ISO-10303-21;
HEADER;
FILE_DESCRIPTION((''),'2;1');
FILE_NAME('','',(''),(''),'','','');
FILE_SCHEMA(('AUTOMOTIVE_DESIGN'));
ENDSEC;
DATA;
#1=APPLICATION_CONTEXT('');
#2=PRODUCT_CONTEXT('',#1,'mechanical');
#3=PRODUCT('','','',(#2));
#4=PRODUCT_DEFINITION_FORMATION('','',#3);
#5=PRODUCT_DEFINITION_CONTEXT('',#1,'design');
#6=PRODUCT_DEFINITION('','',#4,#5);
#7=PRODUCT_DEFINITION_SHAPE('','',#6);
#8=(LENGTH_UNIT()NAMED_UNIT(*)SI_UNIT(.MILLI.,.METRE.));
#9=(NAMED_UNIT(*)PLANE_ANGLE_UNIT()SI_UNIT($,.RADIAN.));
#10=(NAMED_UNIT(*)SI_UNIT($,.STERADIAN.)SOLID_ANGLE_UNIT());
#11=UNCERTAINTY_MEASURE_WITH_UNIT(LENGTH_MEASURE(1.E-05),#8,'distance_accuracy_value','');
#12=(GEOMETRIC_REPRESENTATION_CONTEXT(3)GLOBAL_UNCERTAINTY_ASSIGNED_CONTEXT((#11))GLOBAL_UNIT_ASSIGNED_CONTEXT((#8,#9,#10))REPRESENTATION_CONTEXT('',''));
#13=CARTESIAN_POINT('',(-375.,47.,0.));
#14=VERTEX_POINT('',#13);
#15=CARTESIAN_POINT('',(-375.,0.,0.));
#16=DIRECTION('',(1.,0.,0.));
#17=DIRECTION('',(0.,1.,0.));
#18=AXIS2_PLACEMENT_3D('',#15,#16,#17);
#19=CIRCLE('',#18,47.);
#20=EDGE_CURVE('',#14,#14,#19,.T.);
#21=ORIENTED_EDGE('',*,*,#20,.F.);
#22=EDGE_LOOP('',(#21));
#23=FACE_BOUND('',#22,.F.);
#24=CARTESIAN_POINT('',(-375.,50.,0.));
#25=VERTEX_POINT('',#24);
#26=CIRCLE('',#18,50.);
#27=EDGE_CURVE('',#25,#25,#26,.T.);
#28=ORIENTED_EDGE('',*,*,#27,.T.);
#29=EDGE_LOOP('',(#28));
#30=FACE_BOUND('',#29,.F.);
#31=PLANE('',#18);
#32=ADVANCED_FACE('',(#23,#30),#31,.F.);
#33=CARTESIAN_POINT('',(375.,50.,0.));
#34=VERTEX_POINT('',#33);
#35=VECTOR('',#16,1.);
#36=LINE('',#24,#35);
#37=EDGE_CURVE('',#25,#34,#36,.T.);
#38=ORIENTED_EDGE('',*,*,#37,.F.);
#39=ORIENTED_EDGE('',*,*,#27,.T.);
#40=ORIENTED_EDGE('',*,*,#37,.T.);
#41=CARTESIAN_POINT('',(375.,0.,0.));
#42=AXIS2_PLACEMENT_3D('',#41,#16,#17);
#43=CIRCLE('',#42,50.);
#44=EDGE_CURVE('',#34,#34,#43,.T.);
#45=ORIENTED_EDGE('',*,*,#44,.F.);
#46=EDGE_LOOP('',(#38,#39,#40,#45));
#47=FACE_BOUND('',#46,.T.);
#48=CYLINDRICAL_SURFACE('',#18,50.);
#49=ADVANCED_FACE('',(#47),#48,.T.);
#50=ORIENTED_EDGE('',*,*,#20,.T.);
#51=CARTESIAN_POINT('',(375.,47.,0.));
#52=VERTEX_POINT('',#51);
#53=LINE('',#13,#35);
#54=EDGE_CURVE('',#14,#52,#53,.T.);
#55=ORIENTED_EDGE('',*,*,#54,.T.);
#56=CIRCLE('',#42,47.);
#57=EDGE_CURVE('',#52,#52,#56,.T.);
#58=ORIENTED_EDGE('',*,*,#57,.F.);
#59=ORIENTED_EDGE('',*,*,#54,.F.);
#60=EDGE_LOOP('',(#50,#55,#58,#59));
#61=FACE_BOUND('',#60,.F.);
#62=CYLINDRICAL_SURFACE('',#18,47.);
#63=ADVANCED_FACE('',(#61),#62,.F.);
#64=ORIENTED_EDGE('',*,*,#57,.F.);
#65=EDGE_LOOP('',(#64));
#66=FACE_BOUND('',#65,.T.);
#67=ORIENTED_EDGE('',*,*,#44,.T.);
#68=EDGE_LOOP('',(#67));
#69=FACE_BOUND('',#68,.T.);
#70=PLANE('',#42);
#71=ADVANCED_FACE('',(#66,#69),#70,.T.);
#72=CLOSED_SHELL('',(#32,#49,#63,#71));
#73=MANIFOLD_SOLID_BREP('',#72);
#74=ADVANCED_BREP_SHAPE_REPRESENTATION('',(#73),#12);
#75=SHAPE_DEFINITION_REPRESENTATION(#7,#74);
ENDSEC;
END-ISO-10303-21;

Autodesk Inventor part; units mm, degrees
ref_plane "YZ Plane" through (0, 0, 0) normal (1, 0, 0) x (0, 1, 0)
ref_plane "XZ Plane" through (0, 0, 0) normal (0, 1, 0) x (-1, 0, 0)
ref_plane "XY Plane" through (0, 0, 0) normal (0, 0, 1) x (1, 0, 0)
sketch "Esboço1" plane through (0, 0, 0) normal (0, 0, 1) x (1, 0, 0)
  line L0 (-375, 50) -> (375, 50)
  line L1 (-375, 50) -> (-375, 47)
  line L2 (-375, 47) -> (375, 47)
  line L3 (375, 50) -> (375, 47)
  line L4 (-525, 0) -> (525, 0) projected
  point P0 (0, 0)
  point P1 (0, 50)
  dimension "d0" = 750
  dimension "d1" = 50
  dimension "d2" = 3
revolve "Revolução1" add sketch "Esboço1" angle 360 about axis through (-10, 0, 0) along (1, 0, 0)
properties material "Ouro"
